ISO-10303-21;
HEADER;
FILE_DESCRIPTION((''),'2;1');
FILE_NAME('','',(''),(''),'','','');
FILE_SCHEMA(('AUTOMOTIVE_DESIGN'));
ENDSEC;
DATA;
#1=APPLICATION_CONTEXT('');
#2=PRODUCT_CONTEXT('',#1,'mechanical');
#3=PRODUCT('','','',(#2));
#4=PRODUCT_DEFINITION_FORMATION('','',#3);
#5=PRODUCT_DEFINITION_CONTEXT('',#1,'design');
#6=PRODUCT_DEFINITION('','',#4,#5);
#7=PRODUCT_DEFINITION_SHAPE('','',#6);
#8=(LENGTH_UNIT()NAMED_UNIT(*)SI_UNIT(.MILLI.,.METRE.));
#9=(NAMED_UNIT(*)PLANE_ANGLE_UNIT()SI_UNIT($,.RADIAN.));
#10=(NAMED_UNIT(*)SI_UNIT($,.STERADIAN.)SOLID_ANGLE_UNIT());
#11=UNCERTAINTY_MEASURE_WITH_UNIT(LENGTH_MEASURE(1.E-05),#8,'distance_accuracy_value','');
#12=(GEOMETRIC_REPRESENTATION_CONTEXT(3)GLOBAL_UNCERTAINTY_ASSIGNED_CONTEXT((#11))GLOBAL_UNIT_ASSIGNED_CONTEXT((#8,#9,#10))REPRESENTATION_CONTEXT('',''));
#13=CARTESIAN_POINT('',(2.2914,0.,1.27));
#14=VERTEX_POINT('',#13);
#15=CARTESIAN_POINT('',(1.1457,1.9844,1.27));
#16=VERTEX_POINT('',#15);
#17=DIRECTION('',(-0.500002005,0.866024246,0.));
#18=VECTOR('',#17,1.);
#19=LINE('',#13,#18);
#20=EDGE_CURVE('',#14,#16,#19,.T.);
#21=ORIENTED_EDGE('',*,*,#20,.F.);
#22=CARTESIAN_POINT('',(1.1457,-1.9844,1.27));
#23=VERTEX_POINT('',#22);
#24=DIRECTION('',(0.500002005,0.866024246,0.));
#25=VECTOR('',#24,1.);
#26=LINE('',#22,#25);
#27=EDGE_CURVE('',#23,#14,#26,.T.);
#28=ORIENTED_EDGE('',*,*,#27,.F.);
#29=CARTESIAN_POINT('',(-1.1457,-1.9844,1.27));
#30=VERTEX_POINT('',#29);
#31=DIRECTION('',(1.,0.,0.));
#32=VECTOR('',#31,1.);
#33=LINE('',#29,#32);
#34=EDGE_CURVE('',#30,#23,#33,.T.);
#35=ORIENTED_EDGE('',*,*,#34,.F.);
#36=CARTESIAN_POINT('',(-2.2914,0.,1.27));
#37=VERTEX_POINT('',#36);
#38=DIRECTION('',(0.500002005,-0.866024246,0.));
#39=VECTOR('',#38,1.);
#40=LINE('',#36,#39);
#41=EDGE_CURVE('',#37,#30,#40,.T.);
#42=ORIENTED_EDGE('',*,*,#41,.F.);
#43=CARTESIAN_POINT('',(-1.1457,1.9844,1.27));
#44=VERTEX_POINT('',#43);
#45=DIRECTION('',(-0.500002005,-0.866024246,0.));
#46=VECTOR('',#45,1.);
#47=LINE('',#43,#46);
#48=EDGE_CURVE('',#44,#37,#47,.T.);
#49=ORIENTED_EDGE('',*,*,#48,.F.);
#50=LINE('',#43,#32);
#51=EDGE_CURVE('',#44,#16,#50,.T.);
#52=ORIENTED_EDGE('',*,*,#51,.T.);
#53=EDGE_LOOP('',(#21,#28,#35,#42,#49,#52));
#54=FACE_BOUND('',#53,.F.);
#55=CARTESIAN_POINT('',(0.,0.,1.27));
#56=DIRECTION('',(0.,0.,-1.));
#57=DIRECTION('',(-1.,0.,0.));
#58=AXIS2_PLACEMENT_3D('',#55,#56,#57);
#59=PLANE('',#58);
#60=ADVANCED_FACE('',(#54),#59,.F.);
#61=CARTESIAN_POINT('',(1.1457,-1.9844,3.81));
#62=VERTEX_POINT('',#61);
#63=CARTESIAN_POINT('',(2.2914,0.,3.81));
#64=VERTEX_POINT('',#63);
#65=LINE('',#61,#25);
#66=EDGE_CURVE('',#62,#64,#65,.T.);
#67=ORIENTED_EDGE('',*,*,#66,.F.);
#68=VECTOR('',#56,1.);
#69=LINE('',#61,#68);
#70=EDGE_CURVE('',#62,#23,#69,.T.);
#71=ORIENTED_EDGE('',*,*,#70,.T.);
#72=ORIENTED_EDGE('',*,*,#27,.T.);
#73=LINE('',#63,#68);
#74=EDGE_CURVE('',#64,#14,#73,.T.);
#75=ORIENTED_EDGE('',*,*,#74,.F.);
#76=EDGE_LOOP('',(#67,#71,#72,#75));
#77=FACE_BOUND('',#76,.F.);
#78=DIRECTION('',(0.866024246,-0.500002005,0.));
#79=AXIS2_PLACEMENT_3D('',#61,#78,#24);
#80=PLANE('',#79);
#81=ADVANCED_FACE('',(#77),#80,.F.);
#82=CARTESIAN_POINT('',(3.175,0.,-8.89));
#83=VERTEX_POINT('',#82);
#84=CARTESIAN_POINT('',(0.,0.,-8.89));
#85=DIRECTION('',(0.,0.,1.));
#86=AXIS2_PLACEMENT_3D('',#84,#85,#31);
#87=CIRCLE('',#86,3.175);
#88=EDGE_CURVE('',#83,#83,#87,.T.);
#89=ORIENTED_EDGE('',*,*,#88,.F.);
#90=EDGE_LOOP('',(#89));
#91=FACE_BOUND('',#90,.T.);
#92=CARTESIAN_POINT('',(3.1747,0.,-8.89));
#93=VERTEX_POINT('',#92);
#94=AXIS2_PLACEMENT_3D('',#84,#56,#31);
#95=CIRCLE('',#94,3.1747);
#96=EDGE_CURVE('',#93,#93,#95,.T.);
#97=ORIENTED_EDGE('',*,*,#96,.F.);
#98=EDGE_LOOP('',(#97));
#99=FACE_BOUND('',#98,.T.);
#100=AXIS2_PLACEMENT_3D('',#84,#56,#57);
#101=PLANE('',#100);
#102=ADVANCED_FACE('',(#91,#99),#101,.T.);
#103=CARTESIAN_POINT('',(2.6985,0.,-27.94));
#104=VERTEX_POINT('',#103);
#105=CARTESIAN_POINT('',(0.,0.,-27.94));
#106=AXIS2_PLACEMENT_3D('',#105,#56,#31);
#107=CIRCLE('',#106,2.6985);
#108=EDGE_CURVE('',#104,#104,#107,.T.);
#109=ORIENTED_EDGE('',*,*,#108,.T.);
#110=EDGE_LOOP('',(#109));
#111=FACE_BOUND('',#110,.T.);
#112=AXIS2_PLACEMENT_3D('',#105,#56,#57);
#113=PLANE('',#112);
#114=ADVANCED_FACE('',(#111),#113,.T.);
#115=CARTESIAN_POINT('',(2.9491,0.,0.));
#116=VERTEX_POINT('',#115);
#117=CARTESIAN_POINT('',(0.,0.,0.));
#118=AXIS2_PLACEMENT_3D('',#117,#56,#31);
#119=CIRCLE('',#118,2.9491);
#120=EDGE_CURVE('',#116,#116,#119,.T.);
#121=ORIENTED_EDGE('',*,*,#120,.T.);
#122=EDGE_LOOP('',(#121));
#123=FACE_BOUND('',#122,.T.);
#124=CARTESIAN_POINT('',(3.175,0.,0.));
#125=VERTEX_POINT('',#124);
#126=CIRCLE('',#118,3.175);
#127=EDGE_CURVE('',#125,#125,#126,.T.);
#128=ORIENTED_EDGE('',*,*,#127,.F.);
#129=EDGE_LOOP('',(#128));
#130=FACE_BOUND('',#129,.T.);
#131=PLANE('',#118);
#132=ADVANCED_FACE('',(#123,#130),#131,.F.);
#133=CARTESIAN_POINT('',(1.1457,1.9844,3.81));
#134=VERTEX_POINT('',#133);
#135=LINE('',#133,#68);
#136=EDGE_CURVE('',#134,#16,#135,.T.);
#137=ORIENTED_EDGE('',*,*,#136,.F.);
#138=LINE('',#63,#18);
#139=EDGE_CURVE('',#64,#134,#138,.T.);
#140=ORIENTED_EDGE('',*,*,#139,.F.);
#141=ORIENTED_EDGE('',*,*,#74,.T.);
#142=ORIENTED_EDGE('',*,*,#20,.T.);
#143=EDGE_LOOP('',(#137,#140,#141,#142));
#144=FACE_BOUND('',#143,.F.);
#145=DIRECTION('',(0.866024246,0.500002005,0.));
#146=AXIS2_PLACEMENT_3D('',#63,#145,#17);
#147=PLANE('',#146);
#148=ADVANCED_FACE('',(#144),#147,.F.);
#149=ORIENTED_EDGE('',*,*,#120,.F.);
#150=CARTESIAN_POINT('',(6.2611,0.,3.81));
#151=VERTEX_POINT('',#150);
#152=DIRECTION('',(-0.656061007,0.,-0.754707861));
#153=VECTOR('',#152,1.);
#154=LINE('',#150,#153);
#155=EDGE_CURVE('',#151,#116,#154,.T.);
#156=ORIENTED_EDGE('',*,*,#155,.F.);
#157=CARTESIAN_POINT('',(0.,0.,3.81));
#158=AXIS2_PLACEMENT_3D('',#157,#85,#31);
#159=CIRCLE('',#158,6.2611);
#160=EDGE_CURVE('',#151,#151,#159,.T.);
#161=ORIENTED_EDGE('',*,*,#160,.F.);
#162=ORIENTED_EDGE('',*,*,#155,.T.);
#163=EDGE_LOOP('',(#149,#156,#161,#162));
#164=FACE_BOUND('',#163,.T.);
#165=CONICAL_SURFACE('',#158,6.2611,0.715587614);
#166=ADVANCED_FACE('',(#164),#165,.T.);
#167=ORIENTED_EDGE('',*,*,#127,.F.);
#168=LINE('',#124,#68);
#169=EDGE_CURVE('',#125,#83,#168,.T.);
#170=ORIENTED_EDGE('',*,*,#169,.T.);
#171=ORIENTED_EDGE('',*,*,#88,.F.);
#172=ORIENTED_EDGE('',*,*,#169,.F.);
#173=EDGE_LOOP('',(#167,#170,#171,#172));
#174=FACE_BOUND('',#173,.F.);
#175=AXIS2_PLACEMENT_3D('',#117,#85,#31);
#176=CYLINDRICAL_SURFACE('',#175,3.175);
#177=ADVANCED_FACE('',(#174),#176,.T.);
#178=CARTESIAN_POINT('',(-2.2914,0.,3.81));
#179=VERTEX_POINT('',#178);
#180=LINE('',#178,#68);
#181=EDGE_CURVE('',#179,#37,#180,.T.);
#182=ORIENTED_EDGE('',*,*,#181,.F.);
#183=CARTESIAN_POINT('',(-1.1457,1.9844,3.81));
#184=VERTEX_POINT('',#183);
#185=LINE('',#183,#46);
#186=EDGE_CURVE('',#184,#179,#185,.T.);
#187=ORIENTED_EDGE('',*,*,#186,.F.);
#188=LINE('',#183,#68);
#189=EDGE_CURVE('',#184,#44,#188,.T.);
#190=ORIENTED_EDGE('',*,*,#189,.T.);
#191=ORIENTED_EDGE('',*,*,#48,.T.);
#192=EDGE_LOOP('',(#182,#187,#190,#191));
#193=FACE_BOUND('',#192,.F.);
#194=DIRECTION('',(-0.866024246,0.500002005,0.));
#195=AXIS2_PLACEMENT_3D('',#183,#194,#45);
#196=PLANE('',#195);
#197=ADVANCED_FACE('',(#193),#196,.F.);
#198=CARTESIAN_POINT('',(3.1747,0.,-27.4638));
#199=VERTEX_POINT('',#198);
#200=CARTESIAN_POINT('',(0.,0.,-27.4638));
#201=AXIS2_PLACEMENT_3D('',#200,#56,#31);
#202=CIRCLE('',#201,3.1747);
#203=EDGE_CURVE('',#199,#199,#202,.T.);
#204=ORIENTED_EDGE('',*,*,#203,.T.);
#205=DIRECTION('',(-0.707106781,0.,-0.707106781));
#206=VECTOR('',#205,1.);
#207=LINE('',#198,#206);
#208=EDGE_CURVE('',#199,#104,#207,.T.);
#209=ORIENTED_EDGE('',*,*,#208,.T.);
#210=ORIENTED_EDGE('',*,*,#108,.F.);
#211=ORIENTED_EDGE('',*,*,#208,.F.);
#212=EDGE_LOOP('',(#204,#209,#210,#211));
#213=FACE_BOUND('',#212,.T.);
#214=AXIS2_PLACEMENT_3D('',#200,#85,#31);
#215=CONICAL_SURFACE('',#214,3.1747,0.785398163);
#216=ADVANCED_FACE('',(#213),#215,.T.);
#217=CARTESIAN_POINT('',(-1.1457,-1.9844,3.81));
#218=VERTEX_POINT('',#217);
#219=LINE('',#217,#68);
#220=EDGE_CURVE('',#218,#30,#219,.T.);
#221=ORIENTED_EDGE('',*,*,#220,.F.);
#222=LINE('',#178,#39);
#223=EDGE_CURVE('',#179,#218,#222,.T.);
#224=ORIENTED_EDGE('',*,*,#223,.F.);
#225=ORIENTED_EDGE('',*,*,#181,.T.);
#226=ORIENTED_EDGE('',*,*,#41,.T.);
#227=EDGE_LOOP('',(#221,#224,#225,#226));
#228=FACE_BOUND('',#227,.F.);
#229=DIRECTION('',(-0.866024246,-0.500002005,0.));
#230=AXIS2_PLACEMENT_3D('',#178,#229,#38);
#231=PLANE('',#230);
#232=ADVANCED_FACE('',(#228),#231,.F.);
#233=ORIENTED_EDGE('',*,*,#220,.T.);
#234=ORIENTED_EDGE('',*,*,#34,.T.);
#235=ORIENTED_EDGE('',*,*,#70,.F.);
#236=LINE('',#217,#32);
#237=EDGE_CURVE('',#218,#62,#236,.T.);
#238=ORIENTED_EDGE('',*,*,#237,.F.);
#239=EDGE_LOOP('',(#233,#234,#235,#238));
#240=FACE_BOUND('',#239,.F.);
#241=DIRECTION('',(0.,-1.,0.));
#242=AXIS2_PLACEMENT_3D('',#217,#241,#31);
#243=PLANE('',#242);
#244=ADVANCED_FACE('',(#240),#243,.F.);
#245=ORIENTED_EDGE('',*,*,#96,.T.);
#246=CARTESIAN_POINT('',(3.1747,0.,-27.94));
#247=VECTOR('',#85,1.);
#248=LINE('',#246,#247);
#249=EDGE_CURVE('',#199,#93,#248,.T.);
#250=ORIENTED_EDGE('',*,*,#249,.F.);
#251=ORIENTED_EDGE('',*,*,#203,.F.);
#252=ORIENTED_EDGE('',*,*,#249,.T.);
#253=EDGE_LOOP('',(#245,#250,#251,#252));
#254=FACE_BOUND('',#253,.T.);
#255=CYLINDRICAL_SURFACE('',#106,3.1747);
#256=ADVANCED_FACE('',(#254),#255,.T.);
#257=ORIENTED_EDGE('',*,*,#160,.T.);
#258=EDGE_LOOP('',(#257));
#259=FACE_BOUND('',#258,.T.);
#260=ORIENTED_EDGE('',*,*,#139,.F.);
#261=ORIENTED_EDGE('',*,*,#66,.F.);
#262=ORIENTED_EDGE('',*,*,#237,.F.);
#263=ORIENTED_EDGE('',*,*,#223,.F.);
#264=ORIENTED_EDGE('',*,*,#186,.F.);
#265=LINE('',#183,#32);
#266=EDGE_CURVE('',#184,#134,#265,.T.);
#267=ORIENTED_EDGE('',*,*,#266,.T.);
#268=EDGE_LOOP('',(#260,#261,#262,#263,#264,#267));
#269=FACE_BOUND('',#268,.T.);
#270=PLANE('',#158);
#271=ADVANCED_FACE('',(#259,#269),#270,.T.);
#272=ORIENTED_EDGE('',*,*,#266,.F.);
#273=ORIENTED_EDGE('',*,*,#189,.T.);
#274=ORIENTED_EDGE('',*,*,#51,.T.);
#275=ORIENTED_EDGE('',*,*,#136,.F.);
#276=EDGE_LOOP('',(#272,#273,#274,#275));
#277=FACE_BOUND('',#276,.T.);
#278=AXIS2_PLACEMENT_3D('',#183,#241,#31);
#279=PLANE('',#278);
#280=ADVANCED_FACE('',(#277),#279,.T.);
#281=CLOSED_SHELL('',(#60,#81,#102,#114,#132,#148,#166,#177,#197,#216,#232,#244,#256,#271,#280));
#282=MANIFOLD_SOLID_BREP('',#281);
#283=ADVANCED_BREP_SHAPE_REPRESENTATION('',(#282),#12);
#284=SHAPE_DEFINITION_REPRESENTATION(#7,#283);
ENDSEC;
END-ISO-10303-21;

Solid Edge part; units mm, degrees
sketch "Sketch1" plane through (0, 0, 0) normal (0, 0, 1) x (1, 0, 0)
  circle A0 centre (0, 0) radius 6.2611
  dimension "D1" = 12.5222
extrude "Protrusion1" add sketch "Sketch1" along normal blind 3.81
sketch "Sketch2" plane through (0, 0, 0) normal (0, 0, -1) x (1, 0, 0)
  circle A0 centre (0, 0) radius 3.175
extrude "Protrusion2" add sketch "Sketch2" along normal blind 27.94
sketch "Sketch3" plane through (0, 0, -27.94) normal (0, 0, -1) x (1, 0, 0)
  circle A0 centre (0, 0) radius 3.1747
extrude "Cutout1" cut sketch "Sketch3" against normal blind 19.05 flip side to cut
chamfer "Chamfer_1" distance 0.4762 angle 45 1 edges at (-3.1747, 0, -27.94)
sketch "Sketch4" plane through (0, 0, 3.81) normal (0, 0, 1) x (1, 0, 0)
  line L0 (-1.1457, 1.9844) -> (1.1457, 1.9844)
  line L1 (2.2914, 0) -> (1.1457, 1.9844)
  line L2 (1.1457, -1.9844) -> (2.2914, 0)
  line L3 (-1.1457, -1.9844) -> (1.1457, -1.9844)
  line L4 (-2.2914, 0) -> (-1.1457, -1.9844)
  line L5 (-1.1457, 1.9844) -> (-2.2914, 0)
  dimension "D1" = 3.9688
extrude "Cutout2" cut sketch "Sketch4" against normal blind 2.54
sketch "Sketch5" plane through (0, 0, 0) normal (0, -1, 0) x (1, 0, 0)
  line L0 (6.2611, 3.81) -> (2.9491, 0)
  line L1 (2.9491, 0) -> (6.2611, 0)
  line L2 (6.2611, 0) -> (6.2611, 3.81)
revolve "RevolvedCutout1" cut sketch "Sketch5" angle 360 about axis through (0, 0, 14.0017) along (0, 0, -1)
properties part number "117985"
